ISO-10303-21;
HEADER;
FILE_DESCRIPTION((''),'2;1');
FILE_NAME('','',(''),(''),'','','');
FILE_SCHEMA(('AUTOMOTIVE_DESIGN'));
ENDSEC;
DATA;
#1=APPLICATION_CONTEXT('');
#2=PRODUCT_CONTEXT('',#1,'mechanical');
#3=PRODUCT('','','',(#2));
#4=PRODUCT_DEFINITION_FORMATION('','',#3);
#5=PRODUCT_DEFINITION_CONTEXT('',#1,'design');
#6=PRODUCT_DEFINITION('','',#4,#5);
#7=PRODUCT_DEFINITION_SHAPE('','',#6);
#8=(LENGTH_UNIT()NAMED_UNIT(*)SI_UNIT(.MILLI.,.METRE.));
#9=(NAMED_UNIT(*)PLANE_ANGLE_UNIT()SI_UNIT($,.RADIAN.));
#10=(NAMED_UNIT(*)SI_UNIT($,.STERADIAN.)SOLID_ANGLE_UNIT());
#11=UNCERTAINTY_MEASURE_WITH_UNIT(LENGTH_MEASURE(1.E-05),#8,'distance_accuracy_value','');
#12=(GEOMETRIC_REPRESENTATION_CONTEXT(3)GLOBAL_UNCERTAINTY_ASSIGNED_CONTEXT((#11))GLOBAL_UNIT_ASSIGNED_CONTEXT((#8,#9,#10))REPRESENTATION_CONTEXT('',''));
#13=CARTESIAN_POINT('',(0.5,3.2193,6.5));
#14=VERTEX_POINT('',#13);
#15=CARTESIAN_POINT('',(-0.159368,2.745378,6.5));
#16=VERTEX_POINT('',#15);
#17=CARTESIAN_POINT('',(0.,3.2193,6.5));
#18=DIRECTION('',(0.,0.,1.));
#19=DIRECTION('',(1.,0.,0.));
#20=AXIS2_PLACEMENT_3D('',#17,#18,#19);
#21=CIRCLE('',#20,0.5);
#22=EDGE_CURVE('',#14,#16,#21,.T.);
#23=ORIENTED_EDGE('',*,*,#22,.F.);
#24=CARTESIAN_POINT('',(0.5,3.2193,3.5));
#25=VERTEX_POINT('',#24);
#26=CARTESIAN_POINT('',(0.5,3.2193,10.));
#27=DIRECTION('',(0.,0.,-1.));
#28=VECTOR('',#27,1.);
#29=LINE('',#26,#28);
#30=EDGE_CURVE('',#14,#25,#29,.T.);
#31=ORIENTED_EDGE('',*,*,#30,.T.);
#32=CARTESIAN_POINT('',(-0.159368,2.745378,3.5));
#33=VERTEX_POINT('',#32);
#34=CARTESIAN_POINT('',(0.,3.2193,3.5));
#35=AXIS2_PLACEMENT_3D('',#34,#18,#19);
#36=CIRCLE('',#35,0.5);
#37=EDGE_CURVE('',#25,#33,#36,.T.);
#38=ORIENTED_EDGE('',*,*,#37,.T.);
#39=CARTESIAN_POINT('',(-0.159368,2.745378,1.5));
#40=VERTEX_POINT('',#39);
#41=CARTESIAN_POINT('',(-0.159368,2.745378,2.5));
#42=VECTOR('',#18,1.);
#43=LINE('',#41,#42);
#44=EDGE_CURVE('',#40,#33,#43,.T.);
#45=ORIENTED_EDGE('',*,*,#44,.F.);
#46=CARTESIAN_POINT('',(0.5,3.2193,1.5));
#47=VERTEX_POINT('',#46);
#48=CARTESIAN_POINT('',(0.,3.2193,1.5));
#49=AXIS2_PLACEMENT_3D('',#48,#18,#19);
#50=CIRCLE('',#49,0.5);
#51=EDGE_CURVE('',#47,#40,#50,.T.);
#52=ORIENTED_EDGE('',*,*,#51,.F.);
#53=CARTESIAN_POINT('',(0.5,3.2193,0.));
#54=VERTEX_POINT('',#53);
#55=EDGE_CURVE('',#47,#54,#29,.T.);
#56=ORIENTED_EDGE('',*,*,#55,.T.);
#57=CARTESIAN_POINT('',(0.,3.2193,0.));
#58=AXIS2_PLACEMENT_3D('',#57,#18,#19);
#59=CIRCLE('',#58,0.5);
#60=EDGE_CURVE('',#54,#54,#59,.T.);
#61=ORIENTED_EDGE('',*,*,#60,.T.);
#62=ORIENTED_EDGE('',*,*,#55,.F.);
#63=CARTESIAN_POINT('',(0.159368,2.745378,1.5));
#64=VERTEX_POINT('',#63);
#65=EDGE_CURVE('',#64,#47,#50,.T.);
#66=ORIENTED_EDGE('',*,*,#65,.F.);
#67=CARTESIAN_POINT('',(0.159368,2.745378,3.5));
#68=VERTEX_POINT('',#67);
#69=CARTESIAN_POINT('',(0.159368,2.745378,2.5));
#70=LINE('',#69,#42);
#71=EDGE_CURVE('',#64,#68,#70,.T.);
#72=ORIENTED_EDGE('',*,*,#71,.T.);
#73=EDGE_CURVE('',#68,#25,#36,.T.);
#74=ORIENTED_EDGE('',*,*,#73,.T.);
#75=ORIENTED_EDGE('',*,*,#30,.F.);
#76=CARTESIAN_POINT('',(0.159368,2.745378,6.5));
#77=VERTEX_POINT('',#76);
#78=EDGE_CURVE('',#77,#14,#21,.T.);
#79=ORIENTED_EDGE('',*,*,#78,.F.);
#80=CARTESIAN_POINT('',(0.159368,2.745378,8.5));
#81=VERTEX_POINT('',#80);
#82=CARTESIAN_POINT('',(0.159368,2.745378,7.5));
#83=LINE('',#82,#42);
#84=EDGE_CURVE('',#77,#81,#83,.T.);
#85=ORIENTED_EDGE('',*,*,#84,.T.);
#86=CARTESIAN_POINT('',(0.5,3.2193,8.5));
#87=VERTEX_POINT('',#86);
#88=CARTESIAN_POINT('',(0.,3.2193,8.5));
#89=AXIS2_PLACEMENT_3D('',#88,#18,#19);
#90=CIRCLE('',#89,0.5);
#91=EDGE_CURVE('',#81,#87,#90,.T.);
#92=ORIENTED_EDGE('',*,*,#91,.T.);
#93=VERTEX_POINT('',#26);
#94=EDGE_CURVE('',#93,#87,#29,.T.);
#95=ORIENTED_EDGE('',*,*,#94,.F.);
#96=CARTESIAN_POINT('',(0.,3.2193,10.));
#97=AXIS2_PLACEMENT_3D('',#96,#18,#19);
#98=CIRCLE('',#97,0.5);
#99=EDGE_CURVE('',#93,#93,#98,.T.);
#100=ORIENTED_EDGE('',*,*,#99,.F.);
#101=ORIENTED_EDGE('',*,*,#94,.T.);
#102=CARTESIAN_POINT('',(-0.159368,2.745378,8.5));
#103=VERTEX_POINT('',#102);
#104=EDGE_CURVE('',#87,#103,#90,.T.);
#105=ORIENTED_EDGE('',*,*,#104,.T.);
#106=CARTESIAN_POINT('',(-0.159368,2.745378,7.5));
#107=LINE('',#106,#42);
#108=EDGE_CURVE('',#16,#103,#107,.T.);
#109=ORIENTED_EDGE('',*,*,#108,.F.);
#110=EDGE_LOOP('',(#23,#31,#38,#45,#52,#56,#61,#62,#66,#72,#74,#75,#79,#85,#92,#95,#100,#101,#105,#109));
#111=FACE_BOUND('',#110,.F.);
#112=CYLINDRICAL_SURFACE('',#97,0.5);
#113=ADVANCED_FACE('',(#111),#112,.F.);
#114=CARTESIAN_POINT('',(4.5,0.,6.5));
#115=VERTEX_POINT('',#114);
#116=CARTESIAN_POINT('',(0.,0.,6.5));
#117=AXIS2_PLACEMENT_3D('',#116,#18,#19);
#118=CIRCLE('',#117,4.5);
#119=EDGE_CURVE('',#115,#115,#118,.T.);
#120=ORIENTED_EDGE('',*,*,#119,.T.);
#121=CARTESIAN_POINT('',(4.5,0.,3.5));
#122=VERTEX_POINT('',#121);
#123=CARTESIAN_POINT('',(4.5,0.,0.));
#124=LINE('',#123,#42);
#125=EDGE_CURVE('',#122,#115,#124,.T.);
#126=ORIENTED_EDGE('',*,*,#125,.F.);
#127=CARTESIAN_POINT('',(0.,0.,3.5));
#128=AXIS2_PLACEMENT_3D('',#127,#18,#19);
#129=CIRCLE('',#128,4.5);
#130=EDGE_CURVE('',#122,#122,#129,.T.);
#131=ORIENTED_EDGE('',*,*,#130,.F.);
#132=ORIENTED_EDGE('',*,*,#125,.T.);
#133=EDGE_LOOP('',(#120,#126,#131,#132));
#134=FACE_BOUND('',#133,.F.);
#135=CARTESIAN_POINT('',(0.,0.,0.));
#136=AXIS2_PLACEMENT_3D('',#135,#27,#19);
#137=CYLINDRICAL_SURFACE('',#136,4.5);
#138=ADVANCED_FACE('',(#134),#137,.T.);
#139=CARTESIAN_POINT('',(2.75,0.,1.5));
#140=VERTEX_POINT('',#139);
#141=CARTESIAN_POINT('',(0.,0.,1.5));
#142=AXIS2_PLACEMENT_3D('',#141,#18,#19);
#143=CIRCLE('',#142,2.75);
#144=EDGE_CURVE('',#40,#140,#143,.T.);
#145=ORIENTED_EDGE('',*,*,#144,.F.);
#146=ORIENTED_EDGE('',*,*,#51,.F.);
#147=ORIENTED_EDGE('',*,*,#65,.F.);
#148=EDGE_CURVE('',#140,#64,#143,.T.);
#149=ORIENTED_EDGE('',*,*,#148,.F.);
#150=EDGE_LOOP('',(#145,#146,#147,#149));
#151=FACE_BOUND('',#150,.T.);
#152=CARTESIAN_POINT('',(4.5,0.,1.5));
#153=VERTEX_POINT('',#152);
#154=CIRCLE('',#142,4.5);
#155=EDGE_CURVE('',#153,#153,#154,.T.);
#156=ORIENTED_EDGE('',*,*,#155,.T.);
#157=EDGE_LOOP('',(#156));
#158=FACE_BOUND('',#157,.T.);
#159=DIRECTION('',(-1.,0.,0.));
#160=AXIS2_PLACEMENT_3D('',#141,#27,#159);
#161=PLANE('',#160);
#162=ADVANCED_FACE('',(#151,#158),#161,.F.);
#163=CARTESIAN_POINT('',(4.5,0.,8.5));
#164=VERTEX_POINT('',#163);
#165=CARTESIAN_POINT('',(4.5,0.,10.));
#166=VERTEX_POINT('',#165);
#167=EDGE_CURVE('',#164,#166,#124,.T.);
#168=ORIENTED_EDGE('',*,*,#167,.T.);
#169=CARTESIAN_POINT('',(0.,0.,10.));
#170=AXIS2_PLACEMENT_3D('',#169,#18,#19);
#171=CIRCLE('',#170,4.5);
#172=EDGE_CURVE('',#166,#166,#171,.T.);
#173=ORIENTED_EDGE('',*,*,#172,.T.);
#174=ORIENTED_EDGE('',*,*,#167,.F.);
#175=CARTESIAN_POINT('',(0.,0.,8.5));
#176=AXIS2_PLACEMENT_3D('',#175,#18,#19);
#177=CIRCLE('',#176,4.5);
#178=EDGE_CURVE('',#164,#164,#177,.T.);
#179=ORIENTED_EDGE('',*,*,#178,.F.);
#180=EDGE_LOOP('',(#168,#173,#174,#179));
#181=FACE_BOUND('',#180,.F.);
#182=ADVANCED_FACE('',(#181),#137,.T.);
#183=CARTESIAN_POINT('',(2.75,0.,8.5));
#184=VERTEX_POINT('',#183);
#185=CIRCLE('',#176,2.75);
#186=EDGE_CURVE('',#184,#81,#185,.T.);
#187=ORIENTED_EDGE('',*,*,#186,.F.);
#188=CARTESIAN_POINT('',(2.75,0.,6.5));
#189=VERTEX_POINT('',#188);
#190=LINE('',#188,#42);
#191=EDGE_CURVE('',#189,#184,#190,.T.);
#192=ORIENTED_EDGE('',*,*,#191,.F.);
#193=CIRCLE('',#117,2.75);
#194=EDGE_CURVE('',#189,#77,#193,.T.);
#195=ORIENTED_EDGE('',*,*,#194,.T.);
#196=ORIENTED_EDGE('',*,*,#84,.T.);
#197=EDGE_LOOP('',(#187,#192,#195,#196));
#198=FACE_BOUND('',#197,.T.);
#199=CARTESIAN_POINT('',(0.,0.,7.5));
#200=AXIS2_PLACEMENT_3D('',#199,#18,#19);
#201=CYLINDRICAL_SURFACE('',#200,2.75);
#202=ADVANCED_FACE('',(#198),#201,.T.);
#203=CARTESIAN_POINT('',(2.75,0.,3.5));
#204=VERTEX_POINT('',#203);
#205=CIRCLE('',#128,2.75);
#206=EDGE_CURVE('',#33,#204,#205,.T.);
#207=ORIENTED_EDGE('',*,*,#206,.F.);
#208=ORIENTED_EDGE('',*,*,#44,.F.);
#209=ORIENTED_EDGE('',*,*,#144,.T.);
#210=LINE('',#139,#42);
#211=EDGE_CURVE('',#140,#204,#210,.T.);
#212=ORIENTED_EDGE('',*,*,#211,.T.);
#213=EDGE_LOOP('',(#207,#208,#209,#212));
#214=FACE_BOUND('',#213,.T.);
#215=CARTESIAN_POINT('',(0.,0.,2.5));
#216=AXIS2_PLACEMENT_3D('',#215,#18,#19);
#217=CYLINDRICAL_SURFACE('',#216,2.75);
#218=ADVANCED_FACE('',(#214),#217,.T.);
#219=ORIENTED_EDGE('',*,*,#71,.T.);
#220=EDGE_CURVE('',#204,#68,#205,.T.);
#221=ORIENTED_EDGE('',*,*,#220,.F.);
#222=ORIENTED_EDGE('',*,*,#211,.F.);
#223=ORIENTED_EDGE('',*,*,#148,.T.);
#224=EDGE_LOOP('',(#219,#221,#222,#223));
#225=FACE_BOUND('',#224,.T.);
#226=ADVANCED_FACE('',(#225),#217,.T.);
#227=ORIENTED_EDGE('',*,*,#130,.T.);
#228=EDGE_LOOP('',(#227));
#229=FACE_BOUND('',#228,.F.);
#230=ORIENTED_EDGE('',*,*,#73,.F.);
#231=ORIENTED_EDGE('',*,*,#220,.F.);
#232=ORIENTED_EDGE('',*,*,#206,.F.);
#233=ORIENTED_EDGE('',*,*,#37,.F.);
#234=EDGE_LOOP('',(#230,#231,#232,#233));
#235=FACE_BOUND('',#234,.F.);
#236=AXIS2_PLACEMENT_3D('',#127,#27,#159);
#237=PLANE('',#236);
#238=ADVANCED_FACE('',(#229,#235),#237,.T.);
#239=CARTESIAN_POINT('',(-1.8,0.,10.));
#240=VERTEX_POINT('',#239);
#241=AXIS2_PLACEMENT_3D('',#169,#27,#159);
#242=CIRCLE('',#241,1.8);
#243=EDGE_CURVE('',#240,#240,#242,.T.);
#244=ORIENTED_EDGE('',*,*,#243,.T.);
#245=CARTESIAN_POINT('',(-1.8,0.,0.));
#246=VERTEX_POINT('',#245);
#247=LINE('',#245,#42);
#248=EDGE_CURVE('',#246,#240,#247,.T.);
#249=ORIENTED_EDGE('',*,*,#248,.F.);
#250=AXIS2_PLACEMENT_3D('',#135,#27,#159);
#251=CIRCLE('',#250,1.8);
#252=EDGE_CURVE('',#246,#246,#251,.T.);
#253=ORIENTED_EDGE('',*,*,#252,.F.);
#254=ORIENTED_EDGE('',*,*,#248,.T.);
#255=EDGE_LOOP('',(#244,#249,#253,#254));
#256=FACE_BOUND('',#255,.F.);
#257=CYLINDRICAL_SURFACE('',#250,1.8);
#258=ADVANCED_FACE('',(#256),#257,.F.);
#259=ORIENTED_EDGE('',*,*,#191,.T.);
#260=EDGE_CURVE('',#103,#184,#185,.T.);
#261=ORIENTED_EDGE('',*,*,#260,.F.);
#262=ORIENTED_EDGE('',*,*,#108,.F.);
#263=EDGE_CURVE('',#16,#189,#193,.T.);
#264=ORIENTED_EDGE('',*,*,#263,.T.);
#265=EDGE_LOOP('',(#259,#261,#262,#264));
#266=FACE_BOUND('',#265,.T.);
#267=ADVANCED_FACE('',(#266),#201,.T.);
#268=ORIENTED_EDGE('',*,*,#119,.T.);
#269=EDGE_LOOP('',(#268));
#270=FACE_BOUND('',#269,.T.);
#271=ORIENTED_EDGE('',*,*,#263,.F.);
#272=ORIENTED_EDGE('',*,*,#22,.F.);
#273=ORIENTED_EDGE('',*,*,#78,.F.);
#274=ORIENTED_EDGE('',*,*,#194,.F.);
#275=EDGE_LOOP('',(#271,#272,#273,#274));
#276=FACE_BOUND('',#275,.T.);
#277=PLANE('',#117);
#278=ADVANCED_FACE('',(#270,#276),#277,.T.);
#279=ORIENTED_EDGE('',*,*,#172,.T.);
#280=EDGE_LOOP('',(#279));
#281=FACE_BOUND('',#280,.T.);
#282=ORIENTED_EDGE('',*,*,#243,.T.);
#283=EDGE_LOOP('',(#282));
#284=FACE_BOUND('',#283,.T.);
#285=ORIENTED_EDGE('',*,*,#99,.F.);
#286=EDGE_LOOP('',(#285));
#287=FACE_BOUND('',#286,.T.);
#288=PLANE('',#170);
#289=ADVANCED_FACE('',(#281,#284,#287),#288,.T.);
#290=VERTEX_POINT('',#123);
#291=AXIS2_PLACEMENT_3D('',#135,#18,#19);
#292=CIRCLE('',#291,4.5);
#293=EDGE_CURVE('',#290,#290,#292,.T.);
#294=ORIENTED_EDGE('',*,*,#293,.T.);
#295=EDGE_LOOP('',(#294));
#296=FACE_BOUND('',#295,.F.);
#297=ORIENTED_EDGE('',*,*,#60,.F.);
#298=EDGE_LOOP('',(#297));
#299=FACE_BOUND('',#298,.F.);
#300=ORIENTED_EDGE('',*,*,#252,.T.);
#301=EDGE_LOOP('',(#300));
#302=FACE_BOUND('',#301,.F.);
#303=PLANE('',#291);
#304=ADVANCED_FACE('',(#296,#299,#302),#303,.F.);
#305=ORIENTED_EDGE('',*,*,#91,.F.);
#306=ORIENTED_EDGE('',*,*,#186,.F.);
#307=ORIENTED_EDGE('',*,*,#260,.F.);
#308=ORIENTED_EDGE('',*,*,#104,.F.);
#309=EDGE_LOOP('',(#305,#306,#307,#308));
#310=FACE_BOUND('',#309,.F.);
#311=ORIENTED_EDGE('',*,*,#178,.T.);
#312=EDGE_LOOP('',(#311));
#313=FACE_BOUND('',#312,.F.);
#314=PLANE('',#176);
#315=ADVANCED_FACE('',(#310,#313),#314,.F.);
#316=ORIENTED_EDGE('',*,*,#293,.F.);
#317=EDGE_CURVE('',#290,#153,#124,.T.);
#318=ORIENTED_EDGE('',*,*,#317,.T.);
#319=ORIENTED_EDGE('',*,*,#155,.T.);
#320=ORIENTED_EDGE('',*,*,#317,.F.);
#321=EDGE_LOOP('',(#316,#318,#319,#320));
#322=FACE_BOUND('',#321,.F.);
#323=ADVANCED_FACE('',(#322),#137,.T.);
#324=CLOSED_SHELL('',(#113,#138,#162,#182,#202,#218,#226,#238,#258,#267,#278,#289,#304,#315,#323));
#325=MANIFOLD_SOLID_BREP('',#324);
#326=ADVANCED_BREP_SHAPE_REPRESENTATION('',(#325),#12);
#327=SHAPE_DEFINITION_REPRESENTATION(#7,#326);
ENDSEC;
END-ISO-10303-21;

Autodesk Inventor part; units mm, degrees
ref_plane "YZ Plane" through (0, 0, 0) normal (1, 0, 0) x (0, 1, 0)
ref_plane "XZ Plane" through (0, 0, 0) normal (0, 1, 0) x (-1, 0, 0)
ref_plane "XY Plane" through (0, 0, 0) normal (0, 0, 1) x (1, 0, 0)
sketch "Sketch1" plane through (0, 0, 0) normal (0, 0, 1) x (1, 0, 0)
  circle A0 centre (0, 0) radius 4.5
  dimension "d0" = 9
extrude "Extrusion1" add sketch "Sketch1" along normal blind 10
ref_plane "Work Plane2" through (0, 0, 7.5) normal (0, 0, 1) x (1, 0, 0)
ref_plane "Work Plane1" through (0, 0, 5) normal (0, 0, 1) x (1, 0, 0)
sketch "Sketch2" plane through (0, 0, 7.5) normal (0, 0, 1) x (1, 0, 0)
  circle A0 centre (0, 0) radius 4.5
  circle A1 centre (0, 0) radius 2.75
  dimension "d3" = 5.5
  dimension "d4" = 9
extrude "Extrusion2" cut sketch "Sketch2" along normal mid plane 2
mirror "Mirror1" about plane through (0, 0, 5) normal (0, 0, 1) of "Extrusion2"
sketch "Sketch3" plane through (0, 0, 0) normal (0, 0, -1) x (-1, 0, 0)
  point P0 (0, 0)
sketch "Sketch4" plane through (0, 0, 0) normal (0, 0, -1) x (-1, 0, 0)
  circle A0 centre (0, 0) radius 1.8
  dimension "d11" = 3.6
extrude "Extrusion3" cut sketch "Sketch4" against normal blind 10
sketch "Sketch5" plane through (0, 0, 10) normal (0, 0, 1) x (1, 0, 0)
  circle A0 centre (0, 3.2193) radius 0.5
  point P0 (0, 0)
  dimension "d14" = 1
extrude "Extrusion4" cut sketch "Sketch5" against normal blind 10
properties part number "MotorPully"
